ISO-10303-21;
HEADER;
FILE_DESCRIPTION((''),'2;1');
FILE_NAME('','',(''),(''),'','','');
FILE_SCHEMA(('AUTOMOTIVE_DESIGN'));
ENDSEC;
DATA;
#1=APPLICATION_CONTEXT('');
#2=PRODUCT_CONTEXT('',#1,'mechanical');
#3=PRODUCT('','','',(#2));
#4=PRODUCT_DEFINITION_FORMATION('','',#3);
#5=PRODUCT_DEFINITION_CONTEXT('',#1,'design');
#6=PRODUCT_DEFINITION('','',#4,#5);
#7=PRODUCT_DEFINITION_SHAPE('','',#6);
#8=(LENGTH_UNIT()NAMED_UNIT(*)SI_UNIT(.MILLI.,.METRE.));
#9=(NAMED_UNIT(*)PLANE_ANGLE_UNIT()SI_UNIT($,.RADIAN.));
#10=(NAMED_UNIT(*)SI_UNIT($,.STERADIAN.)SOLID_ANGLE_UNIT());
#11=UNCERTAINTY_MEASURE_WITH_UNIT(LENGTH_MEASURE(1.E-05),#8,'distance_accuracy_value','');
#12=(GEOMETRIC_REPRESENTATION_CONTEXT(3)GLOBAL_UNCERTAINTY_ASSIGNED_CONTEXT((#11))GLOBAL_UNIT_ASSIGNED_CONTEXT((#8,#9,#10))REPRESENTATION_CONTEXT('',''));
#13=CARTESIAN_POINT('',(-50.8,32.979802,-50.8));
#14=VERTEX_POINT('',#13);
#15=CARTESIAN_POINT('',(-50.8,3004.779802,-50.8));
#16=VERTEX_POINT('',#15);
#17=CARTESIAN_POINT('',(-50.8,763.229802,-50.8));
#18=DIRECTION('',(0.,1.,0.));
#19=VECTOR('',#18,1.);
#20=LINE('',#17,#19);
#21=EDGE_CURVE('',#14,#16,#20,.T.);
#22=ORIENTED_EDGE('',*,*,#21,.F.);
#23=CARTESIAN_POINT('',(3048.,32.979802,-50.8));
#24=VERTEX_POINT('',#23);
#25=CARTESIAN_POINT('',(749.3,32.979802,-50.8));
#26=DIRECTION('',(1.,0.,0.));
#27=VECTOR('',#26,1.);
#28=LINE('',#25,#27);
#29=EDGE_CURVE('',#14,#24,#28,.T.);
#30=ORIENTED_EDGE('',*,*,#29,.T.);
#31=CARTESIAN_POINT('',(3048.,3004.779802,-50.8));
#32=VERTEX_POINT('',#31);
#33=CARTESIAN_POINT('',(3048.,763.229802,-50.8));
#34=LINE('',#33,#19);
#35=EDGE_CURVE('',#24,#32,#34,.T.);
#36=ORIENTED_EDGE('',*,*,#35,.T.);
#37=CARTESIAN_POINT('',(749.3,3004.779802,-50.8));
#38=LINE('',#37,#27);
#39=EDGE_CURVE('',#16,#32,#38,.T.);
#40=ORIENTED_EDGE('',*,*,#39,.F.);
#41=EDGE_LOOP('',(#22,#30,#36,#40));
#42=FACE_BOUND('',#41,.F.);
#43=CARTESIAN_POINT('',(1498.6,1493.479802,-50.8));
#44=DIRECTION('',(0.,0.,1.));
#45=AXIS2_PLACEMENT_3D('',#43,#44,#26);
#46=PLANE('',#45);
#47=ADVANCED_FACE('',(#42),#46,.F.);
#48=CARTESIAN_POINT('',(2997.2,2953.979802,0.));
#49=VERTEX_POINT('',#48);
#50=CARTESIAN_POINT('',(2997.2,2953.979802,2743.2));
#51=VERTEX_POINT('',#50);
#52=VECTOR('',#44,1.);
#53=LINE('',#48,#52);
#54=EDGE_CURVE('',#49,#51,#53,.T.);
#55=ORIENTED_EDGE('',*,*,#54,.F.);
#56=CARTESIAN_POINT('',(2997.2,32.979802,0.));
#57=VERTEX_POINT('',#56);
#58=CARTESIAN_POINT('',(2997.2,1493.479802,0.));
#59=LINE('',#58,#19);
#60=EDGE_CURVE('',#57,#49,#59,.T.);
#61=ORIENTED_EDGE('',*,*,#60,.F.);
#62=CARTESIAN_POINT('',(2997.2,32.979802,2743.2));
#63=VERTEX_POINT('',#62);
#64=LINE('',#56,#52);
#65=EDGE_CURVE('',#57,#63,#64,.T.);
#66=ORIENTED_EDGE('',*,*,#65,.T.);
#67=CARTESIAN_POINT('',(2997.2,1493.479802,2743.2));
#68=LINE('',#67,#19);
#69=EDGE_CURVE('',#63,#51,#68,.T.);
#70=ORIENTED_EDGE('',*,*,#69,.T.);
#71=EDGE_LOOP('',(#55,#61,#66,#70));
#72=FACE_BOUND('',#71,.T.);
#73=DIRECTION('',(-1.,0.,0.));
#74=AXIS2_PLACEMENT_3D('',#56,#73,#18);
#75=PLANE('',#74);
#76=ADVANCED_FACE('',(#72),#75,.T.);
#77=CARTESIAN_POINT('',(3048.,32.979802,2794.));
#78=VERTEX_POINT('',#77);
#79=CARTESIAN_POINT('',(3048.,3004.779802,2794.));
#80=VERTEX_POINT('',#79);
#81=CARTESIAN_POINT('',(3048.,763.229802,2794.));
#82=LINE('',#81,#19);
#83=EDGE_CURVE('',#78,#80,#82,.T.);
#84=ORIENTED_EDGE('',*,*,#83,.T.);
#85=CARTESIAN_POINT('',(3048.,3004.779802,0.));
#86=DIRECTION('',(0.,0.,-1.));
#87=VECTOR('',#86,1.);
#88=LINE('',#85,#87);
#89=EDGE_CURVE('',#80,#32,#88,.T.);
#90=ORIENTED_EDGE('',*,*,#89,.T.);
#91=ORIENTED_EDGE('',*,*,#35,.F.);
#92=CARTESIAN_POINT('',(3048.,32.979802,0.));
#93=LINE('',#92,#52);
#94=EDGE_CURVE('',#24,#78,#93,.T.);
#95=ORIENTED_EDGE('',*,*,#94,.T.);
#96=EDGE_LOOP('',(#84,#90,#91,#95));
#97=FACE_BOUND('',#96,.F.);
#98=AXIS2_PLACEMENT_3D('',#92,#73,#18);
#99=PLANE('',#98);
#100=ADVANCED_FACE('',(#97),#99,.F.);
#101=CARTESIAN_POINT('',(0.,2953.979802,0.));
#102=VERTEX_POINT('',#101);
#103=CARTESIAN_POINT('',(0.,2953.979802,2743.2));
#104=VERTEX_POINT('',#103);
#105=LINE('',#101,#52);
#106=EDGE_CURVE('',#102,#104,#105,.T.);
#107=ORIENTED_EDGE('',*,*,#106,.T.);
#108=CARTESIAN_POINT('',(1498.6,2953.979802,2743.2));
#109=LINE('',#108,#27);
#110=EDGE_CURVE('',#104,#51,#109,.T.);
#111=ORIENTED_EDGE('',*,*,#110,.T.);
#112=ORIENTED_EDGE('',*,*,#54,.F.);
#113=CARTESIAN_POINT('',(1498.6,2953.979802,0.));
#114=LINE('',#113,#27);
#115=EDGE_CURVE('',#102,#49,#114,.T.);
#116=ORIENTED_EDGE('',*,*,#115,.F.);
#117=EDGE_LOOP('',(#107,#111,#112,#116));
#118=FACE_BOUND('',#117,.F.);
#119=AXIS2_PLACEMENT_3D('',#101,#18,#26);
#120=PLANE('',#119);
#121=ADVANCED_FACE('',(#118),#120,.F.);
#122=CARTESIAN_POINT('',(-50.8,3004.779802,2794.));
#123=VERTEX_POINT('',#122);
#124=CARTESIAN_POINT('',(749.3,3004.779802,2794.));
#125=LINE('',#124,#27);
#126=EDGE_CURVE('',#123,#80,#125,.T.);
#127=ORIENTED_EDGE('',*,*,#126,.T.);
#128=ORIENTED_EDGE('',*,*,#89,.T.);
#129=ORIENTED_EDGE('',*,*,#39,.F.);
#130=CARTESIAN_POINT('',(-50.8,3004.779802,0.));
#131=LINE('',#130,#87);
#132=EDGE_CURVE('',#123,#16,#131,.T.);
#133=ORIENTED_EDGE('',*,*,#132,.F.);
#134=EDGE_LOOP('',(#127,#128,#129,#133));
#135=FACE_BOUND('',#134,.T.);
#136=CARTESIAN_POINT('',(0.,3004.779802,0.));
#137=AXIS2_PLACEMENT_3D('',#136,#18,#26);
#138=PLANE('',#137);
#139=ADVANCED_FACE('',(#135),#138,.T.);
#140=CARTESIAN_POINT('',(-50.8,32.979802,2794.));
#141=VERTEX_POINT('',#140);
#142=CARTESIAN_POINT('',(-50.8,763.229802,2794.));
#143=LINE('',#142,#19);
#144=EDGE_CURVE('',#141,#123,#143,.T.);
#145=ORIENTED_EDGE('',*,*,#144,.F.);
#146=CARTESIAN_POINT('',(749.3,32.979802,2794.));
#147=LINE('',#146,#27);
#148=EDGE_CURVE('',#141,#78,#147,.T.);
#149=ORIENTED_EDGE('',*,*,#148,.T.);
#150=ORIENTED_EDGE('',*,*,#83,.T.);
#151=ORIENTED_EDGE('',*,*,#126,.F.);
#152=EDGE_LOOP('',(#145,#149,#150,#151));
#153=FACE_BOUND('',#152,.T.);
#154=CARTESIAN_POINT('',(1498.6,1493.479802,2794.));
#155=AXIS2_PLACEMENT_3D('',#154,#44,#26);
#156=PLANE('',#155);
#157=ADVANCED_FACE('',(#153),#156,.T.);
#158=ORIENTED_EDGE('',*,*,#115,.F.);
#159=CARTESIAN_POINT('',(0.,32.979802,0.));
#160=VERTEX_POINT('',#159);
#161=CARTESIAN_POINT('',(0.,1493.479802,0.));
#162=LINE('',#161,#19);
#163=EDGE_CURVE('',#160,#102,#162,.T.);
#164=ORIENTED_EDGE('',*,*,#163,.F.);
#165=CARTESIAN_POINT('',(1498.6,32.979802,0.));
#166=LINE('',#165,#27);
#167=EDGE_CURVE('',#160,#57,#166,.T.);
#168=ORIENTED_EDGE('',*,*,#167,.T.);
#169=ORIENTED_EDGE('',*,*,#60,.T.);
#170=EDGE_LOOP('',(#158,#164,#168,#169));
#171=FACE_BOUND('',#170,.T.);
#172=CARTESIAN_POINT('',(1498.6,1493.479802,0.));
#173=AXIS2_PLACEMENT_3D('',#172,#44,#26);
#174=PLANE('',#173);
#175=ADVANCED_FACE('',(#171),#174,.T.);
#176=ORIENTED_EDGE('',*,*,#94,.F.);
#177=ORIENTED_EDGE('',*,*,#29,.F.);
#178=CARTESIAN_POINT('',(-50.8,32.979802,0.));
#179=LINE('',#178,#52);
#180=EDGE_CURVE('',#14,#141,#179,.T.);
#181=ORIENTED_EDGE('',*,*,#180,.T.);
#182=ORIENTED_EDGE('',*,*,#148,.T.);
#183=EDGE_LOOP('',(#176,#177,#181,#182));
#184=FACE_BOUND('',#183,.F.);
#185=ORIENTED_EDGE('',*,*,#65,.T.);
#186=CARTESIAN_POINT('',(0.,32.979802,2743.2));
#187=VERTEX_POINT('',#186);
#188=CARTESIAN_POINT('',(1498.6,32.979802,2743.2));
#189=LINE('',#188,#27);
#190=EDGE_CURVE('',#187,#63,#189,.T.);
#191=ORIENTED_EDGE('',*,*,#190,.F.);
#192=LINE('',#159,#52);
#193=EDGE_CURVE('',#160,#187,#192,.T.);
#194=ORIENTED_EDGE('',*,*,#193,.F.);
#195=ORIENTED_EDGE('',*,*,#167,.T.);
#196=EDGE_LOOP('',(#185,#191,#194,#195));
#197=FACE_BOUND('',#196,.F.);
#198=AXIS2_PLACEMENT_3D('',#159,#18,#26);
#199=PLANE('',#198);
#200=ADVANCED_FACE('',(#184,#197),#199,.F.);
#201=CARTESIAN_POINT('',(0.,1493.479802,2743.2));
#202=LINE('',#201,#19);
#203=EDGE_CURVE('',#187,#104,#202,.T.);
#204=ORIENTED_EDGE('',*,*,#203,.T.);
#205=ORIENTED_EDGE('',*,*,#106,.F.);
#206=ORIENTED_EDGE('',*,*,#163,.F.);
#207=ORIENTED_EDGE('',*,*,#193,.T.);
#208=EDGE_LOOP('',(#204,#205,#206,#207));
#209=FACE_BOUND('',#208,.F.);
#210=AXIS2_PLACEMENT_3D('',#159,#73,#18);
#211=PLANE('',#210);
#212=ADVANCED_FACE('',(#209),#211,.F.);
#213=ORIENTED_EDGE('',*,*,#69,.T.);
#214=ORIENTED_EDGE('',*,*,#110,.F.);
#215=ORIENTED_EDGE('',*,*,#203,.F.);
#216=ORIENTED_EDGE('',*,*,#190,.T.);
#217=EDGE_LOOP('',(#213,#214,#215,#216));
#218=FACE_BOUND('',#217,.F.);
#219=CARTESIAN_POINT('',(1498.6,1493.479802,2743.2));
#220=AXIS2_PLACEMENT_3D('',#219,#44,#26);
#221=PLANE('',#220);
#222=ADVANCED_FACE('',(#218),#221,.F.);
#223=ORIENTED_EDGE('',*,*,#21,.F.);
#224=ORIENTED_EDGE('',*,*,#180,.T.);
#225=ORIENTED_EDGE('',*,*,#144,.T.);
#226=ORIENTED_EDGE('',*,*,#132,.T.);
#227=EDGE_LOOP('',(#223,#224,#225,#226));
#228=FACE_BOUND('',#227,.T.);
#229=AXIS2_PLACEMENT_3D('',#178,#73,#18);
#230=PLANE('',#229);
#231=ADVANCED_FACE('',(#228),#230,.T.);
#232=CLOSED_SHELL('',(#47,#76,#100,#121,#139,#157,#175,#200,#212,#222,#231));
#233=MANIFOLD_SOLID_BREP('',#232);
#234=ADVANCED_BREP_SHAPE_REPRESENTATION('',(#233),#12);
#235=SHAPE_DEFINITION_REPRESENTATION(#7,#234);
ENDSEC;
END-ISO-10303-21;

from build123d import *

# Parameters (mm, degrees)
F0_W     = 2997.2
F0_H     = 2921
F1_DEPTH = 2743.2
F2_T     = 50.8


with BuildPart() as f1:
    # F0 (on Top) → F1 (new body)
    with BuildSketch(Plane.XY):
        with Locations((1498.6, 1493.479801953)):
            Rectangle(F0_W, F0_H)
    extrude(amount=F1_DEPTH)

    # F2
    f2_openings = [f1.faces().sort_by_distance(p)[0] for p in [
        (1498.6, 32.979802, 1371.6),
    ]]
    offset(amount=F2_T, openings=f2_openings, kind=Kind.INTERSECTION)


solid = f1.part
